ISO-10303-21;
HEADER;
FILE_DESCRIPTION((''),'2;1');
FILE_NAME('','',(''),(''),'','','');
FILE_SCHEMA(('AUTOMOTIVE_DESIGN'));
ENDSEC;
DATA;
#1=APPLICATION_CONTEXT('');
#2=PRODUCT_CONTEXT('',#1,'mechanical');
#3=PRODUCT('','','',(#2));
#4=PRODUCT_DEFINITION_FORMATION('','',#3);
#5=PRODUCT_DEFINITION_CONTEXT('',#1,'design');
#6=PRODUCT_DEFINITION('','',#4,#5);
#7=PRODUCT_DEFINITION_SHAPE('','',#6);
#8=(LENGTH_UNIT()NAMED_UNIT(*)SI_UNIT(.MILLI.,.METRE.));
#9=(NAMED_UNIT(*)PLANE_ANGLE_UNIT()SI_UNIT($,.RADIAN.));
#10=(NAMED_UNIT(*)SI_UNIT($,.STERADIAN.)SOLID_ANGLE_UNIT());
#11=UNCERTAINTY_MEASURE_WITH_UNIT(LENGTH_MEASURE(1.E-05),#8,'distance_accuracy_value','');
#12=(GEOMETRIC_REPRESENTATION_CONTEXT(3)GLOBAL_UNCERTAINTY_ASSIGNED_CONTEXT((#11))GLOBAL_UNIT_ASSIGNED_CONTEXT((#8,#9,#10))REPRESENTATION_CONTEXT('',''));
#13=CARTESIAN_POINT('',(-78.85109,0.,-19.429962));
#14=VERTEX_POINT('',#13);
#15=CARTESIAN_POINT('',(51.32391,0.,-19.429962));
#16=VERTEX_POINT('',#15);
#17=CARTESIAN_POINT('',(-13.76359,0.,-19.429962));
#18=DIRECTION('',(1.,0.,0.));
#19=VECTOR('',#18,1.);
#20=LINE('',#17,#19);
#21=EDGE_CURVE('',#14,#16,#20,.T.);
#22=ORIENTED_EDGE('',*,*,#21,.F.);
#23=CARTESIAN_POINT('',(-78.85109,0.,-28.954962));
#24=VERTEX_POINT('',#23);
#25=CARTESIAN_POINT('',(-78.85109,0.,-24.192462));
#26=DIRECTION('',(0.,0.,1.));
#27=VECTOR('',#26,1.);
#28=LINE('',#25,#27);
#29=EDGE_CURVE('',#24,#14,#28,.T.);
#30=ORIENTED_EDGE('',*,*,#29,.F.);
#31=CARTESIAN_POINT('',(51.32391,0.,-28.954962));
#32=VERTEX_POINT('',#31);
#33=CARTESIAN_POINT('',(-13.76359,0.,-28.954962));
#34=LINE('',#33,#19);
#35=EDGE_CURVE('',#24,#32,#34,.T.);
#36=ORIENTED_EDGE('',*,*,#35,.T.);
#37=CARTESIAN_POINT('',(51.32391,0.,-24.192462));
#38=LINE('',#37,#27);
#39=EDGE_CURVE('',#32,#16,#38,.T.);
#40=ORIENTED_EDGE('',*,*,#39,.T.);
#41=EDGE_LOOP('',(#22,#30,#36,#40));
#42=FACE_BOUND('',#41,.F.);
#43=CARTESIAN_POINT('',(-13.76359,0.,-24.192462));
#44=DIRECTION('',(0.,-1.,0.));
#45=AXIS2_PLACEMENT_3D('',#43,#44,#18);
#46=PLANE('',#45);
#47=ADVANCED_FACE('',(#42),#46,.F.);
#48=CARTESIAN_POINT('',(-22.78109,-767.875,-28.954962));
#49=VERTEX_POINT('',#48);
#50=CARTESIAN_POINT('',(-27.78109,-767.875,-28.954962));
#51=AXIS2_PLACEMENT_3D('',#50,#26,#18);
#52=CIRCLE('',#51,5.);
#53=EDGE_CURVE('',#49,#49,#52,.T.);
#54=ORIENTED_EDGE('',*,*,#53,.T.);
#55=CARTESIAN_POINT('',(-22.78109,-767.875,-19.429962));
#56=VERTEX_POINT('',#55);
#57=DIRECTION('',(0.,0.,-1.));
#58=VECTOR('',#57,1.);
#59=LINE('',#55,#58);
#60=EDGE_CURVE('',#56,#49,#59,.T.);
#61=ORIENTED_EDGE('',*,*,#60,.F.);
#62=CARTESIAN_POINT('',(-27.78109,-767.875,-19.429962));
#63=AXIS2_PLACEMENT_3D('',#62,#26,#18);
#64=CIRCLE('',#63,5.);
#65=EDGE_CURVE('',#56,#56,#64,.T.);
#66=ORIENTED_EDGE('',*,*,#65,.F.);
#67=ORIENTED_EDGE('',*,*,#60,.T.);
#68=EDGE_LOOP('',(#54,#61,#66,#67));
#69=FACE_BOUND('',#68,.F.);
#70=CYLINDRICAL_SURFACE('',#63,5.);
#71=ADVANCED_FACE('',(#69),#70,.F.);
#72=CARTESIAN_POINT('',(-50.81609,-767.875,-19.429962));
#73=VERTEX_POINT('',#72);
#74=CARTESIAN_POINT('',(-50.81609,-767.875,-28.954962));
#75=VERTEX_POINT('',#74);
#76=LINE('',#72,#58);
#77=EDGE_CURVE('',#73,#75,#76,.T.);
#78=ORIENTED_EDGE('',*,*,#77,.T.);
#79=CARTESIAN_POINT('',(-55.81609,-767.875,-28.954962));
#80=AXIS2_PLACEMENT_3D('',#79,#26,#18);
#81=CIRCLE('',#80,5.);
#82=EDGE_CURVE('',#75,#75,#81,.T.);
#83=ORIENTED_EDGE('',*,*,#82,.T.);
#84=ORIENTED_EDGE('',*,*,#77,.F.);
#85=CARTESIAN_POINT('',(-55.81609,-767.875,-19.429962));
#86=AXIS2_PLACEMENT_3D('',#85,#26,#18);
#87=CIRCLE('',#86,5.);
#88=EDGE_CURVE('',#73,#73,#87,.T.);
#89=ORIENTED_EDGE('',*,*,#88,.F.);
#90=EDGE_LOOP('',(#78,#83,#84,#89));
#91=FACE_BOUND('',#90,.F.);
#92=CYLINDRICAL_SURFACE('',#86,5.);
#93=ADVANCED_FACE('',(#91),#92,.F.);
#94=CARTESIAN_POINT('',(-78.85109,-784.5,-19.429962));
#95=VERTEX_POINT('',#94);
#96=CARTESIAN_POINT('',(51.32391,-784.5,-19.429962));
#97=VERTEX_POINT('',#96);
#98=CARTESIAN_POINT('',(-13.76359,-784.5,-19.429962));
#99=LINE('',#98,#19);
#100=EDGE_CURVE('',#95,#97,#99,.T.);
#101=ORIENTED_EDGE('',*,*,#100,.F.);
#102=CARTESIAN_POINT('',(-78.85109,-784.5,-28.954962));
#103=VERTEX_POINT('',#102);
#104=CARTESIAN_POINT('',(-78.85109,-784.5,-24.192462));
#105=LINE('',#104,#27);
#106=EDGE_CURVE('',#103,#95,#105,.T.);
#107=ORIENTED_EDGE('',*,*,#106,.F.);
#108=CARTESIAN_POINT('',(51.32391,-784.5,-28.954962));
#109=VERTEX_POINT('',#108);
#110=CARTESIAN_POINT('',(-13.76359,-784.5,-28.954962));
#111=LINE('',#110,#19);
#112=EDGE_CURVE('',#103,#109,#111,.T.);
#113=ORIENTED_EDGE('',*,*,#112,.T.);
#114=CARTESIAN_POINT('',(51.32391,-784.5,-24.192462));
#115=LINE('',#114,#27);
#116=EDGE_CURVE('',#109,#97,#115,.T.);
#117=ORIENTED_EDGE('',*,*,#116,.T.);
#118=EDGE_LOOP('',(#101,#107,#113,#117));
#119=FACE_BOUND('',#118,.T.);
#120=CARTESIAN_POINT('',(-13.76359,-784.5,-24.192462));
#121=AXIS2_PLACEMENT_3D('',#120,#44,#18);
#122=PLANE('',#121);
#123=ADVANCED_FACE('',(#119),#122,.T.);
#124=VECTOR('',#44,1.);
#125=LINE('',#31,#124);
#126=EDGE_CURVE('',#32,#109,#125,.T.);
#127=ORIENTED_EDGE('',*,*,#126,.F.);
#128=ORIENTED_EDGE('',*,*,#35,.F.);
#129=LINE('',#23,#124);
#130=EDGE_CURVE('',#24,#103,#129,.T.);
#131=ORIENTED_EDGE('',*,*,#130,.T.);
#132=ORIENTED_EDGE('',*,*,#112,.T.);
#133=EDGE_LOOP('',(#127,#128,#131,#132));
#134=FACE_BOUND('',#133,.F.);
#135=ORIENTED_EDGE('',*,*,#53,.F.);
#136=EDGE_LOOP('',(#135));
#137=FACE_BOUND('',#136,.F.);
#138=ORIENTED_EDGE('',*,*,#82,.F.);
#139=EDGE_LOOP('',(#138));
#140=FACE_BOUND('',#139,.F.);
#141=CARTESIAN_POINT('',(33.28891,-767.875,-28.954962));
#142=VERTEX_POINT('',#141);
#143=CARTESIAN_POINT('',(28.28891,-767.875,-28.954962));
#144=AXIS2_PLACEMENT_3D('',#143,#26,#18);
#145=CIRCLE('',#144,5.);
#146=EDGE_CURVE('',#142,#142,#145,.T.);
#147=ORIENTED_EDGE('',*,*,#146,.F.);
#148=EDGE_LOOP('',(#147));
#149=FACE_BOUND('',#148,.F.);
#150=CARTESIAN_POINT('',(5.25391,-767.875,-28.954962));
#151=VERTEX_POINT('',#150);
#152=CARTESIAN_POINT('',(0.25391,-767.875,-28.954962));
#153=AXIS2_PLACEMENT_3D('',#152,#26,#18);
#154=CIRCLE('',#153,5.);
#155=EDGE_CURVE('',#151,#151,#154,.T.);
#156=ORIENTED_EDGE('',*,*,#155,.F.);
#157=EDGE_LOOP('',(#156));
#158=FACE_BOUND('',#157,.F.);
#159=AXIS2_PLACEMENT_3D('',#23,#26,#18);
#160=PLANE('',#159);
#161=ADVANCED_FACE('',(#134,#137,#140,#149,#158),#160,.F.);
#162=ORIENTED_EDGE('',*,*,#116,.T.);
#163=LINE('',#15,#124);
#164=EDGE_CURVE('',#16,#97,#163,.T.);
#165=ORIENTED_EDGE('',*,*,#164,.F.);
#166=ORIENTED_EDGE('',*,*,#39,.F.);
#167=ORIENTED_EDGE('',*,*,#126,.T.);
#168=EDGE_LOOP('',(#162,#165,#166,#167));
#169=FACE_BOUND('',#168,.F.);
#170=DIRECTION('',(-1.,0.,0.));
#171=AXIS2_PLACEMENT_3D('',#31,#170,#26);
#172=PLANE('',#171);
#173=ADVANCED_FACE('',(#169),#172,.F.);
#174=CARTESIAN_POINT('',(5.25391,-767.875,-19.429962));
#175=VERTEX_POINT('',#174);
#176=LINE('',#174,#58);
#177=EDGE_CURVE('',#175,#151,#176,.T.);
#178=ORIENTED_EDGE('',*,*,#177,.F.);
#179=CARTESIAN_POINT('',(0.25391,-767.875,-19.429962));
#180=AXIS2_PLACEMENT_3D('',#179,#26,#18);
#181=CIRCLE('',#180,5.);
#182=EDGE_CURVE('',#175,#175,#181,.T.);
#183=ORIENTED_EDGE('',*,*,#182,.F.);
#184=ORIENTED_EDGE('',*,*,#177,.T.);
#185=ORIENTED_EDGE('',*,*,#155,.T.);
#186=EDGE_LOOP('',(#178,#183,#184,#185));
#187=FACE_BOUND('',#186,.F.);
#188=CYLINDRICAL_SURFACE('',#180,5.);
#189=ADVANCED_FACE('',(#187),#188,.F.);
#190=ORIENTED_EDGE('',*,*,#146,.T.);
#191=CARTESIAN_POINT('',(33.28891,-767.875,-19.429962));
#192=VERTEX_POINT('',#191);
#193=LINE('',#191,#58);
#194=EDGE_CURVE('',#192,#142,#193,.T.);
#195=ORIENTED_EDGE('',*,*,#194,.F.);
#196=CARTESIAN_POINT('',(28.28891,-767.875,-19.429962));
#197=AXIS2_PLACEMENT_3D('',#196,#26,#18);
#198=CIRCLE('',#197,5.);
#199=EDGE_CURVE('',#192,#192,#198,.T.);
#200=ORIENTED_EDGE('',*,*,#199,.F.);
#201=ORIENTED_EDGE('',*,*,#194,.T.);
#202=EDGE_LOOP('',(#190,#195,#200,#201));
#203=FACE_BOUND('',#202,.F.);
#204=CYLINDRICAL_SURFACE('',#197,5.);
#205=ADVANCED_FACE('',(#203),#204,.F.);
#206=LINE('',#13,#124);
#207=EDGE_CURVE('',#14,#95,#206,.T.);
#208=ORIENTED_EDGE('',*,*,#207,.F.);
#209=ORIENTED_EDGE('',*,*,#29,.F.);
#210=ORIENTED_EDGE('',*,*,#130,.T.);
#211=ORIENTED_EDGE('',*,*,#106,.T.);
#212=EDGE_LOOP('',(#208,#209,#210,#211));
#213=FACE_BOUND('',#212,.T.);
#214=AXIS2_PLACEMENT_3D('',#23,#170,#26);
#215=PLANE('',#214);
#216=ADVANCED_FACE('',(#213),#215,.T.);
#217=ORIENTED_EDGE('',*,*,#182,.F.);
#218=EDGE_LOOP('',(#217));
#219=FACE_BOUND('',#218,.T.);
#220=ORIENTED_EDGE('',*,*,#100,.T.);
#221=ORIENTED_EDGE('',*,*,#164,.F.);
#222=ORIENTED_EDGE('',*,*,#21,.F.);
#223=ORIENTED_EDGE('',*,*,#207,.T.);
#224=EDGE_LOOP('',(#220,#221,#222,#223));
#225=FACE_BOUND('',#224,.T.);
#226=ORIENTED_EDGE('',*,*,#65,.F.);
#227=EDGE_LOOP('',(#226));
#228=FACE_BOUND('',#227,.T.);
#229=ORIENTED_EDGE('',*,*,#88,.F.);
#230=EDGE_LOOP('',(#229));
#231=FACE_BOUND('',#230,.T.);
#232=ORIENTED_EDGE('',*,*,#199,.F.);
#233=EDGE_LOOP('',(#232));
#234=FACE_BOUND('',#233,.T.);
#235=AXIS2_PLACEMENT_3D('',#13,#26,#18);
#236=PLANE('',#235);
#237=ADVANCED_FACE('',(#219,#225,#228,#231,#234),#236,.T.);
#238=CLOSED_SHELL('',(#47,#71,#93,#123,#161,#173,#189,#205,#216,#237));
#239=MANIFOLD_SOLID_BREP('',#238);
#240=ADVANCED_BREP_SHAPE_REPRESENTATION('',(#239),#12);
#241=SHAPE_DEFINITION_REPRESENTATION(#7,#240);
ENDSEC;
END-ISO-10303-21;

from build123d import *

# Parameters (mm, degrees)
F0_W     = 130.175
F0_H     = 9.525
F1_DEPTH = 784.5
F2_R     = 5
F3_DEPTH = 25


with BuildPart() as f1:
    # F0 (on Front) → F1 (new body)
    with BuildSketch(Plane.XZ):
        with Locations((-13.76359, -24.192462)):
            Rectangle(F0_W, F0_H)
    extrude(amount=F1_DEPTH)

    # F2 (on face) → F3 (cut)
    with BuildSketch(Plane.XY.offset(-19.429962)):
        with Locations((-55.81609, -767.875)):
            Circle(F2_R)
        with Locations((-27.78109, -767.875)):
            Circle(F2_R)
        with Locations((0.25391, -767.875)):
            Circle(F2_R)
        with Locations((28.28891, -767.875)):
            Circle(F2_R)
    extrude(amount=-F3_DEPTH, mode=Mode.SUBTRACT)


solid = f1.part
